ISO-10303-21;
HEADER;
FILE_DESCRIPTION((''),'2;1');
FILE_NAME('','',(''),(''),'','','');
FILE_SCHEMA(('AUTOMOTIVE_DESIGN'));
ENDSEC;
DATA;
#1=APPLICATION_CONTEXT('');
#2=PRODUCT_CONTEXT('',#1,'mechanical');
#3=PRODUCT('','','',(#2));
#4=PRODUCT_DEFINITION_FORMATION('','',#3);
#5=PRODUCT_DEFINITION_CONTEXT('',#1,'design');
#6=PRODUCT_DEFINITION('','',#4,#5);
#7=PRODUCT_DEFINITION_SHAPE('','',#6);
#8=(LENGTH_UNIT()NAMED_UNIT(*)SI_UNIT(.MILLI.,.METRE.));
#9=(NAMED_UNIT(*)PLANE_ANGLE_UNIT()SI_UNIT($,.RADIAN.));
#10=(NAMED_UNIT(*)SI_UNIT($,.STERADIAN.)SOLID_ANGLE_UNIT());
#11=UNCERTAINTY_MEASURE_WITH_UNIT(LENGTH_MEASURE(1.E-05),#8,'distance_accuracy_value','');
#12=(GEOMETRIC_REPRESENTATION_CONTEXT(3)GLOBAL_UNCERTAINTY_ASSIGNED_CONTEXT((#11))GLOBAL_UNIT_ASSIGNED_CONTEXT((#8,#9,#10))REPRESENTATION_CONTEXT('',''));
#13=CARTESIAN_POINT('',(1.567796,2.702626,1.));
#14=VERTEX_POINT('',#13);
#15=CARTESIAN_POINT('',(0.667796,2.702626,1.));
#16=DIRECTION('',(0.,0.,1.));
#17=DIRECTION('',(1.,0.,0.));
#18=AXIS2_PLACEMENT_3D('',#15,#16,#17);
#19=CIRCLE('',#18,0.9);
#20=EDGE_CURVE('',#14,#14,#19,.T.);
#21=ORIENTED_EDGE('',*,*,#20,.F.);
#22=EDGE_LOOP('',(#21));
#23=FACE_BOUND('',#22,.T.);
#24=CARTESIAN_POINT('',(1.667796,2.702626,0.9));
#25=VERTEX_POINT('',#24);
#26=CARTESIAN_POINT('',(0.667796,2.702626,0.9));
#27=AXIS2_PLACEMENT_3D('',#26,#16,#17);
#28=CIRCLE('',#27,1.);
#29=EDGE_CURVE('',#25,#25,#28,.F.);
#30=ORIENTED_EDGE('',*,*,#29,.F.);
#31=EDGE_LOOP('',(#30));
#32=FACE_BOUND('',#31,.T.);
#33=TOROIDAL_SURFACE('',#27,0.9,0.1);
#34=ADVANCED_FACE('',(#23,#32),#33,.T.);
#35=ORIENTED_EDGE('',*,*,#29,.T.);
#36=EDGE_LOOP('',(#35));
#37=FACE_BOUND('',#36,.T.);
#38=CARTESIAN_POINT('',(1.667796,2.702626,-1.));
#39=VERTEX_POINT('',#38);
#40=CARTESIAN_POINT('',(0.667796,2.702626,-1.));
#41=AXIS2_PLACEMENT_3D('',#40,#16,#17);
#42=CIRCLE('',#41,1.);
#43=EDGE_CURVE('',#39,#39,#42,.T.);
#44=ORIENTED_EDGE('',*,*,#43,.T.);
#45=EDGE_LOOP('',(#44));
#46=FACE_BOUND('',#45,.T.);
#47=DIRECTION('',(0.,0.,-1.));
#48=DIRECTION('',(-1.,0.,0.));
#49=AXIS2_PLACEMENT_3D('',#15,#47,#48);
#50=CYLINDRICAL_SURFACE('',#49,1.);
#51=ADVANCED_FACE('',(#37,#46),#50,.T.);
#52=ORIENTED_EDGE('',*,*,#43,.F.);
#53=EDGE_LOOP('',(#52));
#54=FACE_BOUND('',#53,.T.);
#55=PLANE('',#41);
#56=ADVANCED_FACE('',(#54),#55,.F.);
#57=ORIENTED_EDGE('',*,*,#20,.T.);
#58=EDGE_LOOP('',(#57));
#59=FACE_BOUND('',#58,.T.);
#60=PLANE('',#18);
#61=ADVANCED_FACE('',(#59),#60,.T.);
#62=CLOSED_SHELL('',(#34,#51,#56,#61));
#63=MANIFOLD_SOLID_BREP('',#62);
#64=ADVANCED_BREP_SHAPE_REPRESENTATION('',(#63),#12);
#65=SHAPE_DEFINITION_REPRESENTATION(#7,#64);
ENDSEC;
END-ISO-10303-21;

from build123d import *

# Parameters (mm, degrees)
SKETCH_1_R      = 1
EXTRUDE_1_DEPTH = 1
FILLET_1_R      = 0.1


with BuildPart() as part:
    # 草图1 → 凸台-拉伸1 (new, symmetric)
    with BuildSketch(Plane.XY):
        with Locations((0.667795602, 2.702625622)):
            Circle(SKETCH_1_R)
    extrude(amount=EXTRUDE_1_DEPTH, both=True)

    # 圆角1
    fillet_1_edges = [part.edges().sort_by_distance(p)[0] for p in [
        (-0.332204398, 2.702625622, 1),
    ]]
    fillet(fillet_1_edges, radius=FILLET_1_R)


solid = part.part
